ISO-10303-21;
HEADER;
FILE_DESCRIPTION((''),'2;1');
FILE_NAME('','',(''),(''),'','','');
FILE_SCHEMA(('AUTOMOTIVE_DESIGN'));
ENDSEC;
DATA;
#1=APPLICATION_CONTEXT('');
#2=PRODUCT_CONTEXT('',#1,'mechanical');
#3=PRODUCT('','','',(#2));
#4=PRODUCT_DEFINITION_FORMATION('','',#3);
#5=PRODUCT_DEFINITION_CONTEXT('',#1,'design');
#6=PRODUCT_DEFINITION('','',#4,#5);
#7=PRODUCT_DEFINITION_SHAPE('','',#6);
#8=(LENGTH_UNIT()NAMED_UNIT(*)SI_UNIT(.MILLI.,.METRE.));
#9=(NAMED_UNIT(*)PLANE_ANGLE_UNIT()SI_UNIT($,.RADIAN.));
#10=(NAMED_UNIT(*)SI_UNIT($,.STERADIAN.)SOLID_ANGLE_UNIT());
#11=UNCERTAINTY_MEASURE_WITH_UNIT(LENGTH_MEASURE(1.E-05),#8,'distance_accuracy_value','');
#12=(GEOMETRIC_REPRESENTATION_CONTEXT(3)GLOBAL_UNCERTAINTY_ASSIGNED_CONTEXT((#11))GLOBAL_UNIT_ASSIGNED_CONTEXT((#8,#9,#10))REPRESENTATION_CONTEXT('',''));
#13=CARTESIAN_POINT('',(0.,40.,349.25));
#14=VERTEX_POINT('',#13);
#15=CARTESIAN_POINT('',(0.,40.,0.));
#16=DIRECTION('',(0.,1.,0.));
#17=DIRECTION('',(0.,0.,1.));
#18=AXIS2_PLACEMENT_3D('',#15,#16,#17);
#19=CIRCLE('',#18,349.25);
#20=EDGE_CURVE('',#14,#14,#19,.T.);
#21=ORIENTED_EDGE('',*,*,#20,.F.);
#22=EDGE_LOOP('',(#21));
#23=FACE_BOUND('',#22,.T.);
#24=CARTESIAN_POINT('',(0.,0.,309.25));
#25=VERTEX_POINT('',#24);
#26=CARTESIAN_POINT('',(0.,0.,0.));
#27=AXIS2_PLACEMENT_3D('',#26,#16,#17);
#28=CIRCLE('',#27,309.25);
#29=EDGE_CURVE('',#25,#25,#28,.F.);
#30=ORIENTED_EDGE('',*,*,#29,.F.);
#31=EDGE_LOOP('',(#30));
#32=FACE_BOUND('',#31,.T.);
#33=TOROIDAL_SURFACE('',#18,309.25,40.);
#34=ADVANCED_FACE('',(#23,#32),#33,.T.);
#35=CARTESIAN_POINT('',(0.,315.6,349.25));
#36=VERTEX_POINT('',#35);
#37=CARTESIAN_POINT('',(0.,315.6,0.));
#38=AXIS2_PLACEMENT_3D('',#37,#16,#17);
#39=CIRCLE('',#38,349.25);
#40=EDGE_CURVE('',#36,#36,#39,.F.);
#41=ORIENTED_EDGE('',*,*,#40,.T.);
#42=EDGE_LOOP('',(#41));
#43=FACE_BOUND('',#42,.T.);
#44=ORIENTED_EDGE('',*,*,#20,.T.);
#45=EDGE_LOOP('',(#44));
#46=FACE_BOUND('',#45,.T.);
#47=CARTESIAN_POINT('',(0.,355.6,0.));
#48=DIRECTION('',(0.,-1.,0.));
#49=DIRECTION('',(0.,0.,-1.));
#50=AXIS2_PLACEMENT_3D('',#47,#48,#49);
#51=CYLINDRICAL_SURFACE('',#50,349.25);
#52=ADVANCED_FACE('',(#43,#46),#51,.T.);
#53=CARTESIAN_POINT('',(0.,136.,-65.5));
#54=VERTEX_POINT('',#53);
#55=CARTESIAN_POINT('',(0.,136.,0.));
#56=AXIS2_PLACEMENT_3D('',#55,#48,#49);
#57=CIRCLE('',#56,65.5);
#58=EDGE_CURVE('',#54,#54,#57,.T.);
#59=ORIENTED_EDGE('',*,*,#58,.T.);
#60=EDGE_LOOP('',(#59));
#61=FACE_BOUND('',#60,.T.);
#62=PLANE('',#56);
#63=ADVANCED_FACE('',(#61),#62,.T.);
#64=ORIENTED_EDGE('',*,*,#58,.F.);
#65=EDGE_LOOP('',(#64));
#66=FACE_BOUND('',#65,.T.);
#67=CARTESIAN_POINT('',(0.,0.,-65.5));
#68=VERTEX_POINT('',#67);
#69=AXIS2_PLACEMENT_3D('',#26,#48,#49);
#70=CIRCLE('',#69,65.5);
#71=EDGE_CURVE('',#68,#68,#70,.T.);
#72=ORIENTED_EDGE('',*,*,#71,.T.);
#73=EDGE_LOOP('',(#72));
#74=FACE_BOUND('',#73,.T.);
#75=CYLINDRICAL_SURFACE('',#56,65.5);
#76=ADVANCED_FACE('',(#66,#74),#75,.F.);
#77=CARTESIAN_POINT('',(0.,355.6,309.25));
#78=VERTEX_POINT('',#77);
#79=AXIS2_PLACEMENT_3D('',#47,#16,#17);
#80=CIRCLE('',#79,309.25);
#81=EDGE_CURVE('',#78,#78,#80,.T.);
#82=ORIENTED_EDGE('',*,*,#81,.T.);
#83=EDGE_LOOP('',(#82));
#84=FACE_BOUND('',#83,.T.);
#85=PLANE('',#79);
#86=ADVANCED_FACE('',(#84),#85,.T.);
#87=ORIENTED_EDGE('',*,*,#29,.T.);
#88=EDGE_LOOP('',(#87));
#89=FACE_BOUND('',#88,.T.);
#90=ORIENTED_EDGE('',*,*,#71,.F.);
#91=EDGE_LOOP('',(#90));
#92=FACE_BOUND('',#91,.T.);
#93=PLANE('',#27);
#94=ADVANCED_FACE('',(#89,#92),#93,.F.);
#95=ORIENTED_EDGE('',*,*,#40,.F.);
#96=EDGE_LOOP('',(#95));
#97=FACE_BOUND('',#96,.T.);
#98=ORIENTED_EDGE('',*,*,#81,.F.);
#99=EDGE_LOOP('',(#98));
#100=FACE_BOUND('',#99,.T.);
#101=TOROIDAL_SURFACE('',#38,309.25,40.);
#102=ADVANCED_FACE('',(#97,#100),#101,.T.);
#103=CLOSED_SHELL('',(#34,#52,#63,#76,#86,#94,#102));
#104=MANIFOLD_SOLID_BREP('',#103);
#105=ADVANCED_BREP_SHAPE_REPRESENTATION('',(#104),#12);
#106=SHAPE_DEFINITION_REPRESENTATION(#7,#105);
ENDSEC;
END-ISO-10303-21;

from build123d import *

# Parameters (mm, degrees)
SCHIZZO1_R                   = 349.25
ESTRUSIONE_ESTRUSIONE1_DEPTH = 355.6
RACCORDO1_R                  = 40
SCHIZZO2_R                   = 65.5
TAGLIO_ESTRUSIONE1_DEPTH     = 136


with BuildPart() as part:
    # Schizzo1 → Estrusione-Estrusione1 (new body)
    with BuildSketch(Plane(origin=(0, 0, 0), x_dir=(-1, 0, 0), z_dir=(0, 1, 0))):
        with Locations(Location((0, 0, 0), (0, 0, 90))):
            Circle(SCHIZZO1_R)
    extrude(amount=ESTRUSIONE_ESTRUSIONE1_DEPTH)

    # Raccordo1
    raccordo1_edges = [part.edges().sort_by_distance(p)[0] for p in [
        (0, 0, -349.25),
        (0, 355.6, -349.25),
    ]]
    fillet(raccordo1_edges, radius=RACCORDO1_R)

    # Schizzo2 → Taglio-Estrusione1 (cut)
    with BuildSketch(Plane.XZ):
        with Locations(Location((0, 0, 0), (0, 0, 270))):
            Circle(SCHIZZO2_R)
    extrude(amount=-TAGLIO_ESTRUSIONE1_DEPTH, mode=Mode.SUBTRACT)


solid = part.part
